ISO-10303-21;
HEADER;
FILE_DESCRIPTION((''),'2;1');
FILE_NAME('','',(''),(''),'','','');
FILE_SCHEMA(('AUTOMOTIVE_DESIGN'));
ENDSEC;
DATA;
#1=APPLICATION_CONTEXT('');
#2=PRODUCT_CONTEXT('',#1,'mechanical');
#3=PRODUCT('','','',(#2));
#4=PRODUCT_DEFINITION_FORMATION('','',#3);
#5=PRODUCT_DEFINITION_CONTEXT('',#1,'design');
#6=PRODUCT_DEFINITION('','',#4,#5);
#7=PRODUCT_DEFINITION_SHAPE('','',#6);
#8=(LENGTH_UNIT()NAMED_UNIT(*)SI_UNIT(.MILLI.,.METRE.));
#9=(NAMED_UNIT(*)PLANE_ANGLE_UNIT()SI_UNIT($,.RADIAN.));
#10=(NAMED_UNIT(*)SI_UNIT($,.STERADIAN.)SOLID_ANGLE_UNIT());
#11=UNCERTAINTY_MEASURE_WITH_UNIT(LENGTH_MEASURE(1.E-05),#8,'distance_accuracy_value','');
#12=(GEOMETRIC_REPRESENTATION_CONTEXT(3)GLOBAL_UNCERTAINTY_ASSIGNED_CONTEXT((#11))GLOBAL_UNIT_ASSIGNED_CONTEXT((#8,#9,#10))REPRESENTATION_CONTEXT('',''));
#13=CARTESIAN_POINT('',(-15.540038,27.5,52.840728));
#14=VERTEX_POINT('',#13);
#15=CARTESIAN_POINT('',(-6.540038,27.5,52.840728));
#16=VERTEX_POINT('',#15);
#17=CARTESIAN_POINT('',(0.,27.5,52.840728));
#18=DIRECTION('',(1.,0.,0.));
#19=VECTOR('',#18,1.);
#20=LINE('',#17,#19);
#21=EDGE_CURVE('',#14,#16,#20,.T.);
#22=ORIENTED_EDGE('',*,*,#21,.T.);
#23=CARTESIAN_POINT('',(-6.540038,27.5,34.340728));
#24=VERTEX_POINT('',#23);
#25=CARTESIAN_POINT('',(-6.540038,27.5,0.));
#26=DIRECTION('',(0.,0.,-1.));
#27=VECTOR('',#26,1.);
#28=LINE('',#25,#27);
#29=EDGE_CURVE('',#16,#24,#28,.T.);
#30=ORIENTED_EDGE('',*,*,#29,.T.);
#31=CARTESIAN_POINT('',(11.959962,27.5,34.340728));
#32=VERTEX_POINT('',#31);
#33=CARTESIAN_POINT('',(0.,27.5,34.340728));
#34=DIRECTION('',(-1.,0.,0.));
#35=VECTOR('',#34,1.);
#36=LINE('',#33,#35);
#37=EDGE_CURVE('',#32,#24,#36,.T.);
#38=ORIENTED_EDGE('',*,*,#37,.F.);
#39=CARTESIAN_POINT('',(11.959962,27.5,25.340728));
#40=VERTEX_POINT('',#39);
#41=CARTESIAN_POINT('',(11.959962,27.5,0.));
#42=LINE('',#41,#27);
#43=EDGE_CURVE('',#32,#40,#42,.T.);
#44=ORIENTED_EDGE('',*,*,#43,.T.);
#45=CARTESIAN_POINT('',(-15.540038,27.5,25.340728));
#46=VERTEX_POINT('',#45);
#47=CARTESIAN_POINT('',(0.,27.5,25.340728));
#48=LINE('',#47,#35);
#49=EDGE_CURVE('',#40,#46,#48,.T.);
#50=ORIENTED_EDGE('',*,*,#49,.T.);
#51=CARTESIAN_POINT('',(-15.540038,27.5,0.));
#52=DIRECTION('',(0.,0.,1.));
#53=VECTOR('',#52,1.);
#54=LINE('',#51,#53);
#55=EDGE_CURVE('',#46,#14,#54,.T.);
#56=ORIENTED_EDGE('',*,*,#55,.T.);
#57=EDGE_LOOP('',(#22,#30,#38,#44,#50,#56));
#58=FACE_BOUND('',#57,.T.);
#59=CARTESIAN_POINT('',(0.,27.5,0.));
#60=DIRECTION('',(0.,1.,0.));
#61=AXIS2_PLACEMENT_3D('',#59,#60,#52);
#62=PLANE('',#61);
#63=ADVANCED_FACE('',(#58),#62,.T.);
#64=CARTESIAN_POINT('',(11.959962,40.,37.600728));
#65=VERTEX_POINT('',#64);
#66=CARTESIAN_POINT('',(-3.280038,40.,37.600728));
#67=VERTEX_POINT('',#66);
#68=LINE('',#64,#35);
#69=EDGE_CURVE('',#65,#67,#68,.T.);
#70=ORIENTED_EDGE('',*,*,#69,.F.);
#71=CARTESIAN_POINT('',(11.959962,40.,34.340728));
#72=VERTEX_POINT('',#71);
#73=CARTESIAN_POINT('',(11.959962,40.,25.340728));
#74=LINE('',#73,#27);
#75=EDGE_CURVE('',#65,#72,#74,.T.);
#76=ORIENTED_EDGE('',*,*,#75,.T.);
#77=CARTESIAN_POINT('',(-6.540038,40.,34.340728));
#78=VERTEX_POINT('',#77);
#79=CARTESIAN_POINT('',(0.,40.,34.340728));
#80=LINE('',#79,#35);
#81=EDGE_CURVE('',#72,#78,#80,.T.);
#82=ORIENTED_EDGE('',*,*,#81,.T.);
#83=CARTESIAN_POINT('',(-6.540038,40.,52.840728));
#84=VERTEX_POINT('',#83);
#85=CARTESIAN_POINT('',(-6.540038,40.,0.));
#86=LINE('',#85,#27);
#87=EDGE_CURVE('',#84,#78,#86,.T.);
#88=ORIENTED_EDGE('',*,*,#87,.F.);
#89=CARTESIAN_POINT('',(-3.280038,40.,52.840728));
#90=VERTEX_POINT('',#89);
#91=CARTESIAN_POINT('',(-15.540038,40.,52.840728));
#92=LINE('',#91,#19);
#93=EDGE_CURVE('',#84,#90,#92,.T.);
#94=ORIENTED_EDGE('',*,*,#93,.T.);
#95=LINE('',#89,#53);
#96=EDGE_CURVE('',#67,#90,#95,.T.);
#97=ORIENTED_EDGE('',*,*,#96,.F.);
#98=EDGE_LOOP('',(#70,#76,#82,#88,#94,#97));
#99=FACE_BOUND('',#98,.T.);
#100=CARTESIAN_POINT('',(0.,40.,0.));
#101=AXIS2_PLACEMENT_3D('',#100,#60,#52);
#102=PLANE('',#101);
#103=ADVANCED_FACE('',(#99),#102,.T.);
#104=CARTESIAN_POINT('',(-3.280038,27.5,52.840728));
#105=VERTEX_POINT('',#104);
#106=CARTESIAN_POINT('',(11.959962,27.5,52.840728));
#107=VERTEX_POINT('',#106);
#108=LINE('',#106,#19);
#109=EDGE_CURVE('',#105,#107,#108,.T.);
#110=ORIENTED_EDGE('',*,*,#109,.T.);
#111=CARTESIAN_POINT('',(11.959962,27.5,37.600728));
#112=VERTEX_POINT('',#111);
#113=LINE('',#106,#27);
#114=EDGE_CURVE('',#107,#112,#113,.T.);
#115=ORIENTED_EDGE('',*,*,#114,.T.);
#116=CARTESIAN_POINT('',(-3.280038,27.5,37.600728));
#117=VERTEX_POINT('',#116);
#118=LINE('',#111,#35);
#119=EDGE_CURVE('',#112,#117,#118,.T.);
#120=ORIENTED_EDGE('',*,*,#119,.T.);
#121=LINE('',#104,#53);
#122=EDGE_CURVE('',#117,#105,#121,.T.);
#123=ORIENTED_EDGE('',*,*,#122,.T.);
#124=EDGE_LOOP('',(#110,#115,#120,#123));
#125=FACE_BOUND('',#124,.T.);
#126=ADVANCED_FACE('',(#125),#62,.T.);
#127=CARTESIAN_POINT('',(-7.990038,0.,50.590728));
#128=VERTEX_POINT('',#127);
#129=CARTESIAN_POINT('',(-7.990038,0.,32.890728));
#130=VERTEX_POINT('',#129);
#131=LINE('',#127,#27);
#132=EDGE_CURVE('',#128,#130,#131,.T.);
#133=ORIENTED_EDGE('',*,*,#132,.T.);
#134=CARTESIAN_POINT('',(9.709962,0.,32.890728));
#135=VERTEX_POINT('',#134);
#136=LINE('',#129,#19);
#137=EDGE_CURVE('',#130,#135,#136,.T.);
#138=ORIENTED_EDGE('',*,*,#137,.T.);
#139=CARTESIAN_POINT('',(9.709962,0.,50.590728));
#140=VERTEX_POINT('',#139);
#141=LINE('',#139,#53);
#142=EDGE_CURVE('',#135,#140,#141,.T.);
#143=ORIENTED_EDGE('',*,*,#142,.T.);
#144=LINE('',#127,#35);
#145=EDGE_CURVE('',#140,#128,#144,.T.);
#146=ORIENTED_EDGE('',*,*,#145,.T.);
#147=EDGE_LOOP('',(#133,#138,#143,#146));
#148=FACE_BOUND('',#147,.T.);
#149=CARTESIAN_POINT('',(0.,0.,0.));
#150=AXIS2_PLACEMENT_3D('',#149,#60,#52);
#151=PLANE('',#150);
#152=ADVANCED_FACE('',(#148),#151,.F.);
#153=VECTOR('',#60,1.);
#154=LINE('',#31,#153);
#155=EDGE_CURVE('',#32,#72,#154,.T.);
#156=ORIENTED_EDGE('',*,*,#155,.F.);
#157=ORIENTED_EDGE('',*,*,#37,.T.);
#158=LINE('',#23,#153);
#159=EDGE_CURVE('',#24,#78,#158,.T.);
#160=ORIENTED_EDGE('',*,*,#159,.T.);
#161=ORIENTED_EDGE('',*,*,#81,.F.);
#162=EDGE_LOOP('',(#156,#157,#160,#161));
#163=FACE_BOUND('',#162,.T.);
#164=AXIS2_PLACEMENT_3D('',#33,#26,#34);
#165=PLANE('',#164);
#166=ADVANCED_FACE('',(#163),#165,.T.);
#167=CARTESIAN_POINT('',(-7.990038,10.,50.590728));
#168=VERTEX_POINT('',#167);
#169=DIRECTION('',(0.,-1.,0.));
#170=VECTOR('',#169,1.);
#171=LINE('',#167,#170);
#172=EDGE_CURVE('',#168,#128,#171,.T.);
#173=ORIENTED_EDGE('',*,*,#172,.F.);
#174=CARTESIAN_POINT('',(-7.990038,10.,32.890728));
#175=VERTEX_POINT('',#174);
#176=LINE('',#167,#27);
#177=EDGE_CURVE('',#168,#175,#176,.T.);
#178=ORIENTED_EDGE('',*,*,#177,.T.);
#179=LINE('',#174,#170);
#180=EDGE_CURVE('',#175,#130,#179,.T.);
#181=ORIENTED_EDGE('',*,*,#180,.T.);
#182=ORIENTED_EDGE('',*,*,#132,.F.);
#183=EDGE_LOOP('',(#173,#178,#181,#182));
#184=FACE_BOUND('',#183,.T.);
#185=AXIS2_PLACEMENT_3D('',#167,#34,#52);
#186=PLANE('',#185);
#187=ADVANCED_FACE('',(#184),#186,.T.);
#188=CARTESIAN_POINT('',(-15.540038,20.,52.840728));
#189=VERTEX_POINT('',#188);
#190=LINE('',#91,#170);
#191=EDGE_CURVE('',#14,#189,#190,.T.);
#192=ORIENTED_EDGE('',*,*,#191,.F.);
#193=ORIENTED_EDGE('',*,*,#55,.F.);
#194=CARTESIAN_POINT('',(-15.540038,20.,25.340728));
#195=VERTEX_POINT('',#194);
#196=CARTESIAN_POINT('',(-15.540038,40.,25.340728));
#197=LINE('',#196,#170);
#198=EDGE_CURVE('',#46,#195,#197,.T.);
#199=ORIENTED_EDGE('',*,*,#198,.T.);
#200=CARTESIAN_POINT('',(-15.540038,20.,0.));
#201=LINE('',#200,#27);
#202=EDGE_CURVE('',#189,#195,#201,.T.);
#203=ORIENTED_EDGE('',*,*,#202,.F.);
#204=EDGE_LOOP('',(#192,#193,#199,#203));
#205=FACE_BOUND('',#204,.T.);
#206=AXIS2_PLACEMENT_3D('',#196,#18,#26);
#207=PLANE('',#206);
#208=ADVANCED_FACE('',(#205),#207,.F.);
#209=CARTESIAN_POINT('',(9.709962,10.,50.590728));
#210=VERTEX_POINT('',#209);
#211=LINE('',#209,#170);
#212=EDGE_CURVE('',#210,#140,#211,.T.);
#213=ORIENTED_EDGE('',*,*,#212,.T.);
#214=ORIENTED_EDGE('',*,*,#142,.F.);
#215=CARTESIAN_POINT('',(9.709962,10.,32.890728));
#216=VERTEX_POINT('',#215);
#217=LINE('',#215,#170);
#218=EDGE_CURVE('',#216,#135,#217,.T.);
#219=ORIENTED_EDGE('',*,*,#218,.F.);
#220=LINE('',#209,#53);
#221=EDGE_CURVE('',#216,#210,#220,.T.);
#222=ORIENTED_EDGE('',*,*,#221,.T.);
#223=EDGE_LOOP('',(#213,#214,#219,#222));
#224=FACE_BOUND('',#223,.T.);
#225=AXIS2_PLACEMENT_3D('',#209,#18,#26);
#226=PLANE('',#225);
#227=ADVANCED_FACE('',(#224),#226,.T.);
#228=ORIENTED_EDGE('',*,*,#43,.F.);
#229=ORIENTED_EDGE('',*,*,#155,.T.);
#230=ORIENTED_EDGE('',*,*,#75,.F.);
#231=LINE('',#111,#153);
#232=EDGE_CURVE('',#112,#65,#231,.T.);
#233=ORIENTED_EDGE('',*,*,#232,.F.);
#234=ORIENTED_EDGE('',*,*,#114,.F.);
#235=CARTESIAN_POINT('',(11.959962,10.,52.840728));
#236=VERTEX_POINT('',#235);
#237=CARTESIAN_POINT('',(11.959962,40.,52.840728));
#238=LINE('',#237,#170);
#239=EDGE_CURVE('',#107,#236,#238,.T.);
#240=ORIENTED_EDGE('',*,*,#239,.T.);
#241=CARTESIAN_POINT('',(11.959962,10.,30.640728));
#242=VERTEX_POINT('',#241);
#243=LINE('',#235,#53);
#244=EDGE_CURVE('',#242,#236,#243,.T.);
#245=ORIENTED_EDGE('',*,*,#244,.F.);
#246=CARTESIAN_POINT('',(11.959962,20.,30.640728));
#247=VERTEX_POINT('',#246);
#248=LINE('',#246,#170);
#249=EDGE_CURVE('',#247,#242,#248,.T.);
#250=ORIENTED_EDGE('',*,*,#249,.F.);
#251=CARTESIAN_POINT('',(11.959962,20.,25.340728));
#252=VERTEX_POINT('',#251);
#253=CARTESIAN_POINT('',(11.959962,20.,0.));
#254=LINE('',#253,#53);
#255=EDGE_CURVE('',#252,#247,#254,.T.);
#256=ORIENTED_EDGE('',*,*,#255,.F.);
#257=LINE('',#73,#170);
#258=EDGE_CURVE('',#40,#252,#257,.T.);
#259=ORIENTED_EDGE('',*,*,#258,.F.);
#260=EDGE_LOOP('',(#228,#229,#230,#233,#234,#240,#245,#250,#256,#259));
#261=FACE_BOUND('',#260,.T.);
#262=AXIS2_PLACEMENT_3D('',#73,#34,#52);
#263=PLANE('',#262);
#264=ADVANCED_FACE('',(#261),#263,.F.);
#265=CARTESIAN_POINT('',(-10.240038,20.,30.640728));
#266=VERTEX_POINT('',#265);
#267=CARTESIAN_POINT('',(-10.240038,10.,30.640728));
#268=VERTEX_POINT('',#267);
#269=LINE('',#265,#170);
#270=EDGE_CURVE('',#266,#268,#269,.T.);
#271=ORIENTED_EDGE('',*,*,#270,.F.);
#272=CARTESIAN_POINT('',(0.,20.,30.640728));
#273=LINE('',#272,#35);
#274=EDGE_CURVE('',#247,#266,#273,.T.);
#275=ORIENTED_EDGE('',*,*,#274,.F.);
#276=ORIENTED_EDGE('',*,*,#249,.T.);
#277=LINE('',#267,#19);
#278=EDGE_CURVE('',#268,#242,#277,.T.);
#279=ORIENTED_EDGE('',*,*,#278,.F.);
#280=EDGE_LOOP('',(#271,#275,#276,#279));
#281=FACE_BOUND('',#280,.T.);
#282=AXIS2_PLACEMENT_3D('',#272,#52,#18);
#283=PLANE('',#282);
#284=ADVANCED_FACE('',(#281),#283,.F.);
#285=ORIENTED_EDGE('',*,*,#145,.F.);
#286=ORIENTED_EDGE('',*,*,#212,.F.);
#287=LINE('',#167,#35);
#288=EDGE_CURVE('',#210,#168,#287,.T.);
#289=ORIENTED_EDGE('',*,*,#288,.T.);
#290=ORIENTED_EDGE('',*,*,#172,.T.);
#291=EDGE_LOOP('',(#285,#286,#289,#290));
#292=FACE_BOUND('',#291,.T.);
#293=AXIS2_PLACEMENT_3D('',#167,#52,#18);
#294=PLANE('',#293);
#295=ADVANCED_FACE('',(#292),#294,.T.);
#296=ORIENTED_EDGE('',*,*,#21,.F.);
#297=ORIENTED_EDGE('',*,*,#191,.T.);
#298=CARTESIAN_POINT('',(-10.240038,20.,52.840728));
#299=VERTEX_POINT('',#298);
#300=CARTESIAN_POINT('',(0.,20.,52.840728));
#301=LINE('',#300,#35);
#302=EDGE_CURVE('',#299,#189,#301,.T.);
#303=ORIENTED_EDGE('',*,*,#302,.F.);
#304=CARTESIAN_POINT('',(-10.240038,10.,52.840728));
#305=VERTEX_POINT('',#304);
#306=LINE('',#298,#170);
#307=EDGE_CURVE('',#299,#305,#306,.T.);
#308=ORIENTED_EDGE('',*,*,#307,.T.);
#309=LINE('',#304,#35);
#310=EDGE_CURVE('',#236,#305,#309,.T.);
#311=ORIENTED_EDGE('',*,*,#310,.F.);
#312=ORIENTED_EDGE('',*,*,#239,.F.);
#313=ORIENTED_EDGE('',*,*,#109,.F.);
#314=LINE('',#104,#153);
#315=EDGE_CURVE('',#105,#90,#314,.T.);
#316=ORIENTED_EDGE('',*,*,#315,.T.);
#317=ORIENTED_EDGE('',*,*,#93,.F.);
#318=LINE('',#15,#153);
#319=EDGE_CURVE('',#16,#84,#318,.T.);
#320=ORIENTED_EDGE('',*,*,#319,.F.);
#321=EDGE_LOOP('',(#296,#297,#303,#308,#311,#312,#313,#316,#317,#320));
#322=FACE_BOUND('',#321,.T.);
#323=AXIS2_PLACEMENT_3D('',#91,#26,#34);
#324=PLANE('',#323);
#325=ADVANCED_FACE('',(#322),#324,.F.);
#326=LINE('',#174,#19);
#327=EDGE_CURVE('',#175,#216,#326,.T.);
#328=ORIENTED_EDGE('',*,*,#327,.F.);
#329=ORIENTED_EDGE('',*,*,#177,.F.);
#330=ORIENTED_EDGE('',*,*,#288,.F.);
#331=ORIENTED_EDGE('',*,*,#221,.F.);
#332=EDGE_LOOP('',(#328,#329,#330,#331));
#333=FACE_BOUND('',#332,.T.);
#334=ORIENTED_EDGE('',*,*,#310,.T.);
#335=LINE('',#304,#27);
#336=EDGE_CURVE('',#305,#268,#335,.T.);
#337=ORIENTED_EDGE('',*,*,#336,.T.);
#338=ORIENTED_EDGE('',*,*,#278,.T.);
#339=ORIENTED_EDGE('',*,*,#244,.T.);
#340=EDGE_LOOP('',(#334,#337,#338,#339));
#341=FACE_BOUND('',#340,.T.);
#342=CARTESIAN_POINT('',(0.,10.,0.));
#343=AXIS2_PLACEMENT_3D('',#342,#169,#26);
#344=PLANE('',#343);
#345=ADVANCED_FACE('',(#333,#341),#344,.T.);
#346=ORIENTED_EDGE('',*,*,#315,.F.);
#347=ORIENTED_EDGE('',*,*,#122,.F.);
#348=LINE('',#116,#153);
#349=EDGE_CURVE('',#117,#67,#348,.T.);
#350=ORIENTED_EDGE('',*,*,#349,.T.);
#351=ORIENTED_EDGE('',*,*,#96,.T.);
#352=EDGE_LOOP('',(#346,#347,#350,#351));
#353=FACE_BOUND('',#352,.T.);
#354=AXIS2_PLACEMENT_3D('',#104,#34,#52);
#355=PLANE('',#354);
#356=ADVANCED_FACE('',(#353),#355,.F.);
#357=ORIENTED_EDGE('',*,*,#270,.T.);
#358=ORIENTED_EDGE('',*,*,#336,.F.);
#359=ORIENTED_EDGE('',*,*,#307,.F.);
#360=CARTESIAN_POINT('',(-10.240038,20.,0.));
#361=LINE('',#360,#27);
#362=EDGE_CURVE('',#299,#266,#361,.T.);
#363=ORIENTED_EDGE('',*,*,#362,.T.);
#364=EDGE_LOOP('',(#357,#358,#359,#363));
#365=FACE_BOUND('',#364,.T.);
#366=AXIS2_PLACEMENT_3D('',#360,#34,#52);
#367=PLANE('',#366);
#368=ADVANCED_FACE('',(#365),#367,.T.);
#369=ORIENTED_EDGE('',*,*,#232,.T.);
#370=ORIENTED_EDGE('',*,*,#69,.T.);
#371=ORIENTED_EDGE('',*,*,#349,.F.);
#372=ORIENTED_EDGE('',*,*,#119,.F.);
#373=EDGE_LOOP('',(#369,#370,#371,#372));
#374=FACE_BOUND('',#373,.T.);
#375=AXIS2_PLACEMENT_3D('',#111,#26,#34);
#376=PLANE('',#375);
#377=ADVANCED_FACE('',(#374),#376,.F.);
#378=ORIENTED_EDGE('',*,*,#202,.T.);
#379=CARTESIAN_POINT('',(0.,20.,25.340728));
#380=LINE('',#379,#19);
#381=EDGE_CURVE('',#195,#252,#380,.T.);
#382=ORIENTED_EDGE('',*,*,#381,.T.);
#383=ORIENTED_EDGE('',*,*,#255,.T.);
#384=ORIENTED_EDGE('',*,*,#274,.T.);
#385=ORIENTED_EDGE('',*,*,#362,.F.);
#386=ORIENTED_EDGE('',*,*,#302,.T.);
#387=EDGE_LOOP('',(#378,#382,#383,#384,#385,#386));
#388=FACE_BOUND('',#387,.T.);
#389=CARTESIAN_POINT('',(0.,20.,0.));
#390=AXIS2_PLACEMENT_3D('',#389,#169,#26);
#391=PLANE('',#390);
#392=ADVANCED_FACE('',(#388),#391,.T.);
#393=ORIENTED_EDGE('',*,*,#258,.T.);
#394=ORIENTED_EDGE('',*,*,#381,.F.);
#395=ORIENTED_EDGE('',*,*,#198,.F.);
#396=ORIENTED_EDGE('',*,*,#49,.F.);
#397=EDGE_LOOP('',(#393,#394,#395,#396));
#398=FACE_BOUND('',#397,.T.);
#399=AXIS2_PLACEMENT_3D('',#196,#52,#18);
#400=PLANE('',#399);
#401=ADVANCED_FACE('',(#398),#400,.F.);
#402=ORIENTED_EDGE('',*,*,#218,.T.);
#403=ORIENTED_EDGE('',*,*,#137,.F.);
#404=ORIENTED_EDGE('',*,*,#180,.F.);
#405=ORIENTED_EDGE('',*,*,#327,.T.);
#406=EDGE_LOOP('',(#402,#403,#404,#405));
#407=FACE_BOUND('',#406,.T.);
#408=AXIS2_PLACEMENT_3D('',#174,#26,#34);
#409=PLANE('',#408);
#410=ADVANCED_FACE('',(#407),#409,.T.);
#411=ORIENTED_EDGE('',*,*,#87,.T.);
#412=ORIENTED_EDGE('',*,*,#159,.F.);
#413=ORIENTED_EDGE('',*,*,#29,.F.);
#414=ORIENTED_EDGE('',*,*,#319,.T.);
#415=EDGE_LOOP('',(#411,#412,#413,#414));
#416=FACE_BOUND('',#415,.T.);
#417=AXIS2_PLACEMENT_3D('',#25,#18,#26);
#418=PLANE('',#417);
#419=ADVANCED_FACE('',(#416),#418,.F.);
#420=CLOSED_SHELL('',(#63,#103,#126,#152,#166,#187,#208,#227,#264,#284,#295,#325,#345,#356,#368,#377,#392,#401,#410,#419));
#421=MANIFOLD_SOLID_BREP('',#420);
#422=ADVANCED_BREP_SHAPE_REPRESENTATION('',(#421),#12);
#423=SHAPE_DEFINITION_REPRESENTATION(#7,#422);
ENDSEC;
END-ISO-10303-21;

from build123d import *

# Parameters (mm, degrees)
SKETCH7_W           = 27.5
SKETCH7_H           = 27.5
BOSS_EXTRUDE6_DEPTH = 40
SKETCH8_W           = 15.24
SKETCH8_H           = 15.24
CUT_EXTRUDE2_DEPTH  = 12.5
CUT_EXTRUDE3_DEPTH  = 20
SKETCH10_W          = 22.2
SKETCH10_H          = 22.2
SKETCH10_W_2        = 17.7
SKETCH10_H_2        = 17.7
CUT_EXTRUDE4_DEPTH  = 10
CUT_EXTRUDE5_DEPTH  = 12.5


with BuildPart() as part:
    # Sketch7 → Boss-Extrude6 (new body)
    with BuildSketch(Plane(origin=(0, 0, 0), x_dir=(1, 0, 0), z_dir=(0, 1, 0))):
        with Locations((-1.790038454, -39.090727751)):
            Rectangle(SKETCH7_W, SKETCH7_H)
    extrude(amount=BOSS_EXTRUDE6_DEPTH)

    # Sketch8 → Cut-Extrude2 (cut)
    with BuildSketch(Plane(origin=(0, 40, 0), x_dir=(1, 0, 0), z_dir=(0, 1, 0))):
        with Locations((4.339961546, -45.220727751)):
            Rectangle(SKETCH8_W, SKETCH8_H)
    extrude(amount=-CUT_EXTRUDE2_DEPTH, mode=Mode.SUBTRACT)

    # Sketch9 → Cut-Extrude3 (cut)
    with BuildSketch(Plane.XZ):
        Polygon((-10.240038454, 30.640727751), (-10.240038454, 52.840727751), (-15.540038454, 52.840727751), (-15.540038454, 25.340727751), (11.959961546, 25.340727751), (11.959961546, 30.640727751), align=None)
    extrude(amount=-CUT_EXTRUDE3_DEPTH, mode=Mode.SUBTRACT)

    # Sketch10 → Cut-Extrude4 (cut)
    with BuildSketch(Plane.XZ):
        with Locations((0.859961546, 41.740727751)):
            Rectangle(SKETCH10_W, SKETCH10_H)
        with Locations((0.859961546, 41.740727751)):
            Rectangle(SKETCH10_W_2, SKETCH10_H_2, mode=Mode.SUBTRACT)
    extrude(amount=-CUT_EXTRUDE4_DEPTH, mode=Mode.SUBTRACT)

    # Sketch11 → Cut-Extrude5 (cut)
    with BuildSketch(Plane(origin=(0, 40, 0), x_dir=(1, 0, 0), z_dir=(0, 1, 0))):
        Polygon((11.959961546, -34.340727751), (11.959961546, -25.340727751), (-4.564600262, -25.340727751), (-10.557653768, -25.340727751), (-15.540038454, -25.340727751), (-15.540038454, -52.840727751), (-6.540038454, -52.840727751), (-6.540038454, -34.340727751), align=None)
    extrude(amount=-CUT_EXTRUDE5_DEPTH, mode=Mode.SUBTRACT)


solid = part.part
